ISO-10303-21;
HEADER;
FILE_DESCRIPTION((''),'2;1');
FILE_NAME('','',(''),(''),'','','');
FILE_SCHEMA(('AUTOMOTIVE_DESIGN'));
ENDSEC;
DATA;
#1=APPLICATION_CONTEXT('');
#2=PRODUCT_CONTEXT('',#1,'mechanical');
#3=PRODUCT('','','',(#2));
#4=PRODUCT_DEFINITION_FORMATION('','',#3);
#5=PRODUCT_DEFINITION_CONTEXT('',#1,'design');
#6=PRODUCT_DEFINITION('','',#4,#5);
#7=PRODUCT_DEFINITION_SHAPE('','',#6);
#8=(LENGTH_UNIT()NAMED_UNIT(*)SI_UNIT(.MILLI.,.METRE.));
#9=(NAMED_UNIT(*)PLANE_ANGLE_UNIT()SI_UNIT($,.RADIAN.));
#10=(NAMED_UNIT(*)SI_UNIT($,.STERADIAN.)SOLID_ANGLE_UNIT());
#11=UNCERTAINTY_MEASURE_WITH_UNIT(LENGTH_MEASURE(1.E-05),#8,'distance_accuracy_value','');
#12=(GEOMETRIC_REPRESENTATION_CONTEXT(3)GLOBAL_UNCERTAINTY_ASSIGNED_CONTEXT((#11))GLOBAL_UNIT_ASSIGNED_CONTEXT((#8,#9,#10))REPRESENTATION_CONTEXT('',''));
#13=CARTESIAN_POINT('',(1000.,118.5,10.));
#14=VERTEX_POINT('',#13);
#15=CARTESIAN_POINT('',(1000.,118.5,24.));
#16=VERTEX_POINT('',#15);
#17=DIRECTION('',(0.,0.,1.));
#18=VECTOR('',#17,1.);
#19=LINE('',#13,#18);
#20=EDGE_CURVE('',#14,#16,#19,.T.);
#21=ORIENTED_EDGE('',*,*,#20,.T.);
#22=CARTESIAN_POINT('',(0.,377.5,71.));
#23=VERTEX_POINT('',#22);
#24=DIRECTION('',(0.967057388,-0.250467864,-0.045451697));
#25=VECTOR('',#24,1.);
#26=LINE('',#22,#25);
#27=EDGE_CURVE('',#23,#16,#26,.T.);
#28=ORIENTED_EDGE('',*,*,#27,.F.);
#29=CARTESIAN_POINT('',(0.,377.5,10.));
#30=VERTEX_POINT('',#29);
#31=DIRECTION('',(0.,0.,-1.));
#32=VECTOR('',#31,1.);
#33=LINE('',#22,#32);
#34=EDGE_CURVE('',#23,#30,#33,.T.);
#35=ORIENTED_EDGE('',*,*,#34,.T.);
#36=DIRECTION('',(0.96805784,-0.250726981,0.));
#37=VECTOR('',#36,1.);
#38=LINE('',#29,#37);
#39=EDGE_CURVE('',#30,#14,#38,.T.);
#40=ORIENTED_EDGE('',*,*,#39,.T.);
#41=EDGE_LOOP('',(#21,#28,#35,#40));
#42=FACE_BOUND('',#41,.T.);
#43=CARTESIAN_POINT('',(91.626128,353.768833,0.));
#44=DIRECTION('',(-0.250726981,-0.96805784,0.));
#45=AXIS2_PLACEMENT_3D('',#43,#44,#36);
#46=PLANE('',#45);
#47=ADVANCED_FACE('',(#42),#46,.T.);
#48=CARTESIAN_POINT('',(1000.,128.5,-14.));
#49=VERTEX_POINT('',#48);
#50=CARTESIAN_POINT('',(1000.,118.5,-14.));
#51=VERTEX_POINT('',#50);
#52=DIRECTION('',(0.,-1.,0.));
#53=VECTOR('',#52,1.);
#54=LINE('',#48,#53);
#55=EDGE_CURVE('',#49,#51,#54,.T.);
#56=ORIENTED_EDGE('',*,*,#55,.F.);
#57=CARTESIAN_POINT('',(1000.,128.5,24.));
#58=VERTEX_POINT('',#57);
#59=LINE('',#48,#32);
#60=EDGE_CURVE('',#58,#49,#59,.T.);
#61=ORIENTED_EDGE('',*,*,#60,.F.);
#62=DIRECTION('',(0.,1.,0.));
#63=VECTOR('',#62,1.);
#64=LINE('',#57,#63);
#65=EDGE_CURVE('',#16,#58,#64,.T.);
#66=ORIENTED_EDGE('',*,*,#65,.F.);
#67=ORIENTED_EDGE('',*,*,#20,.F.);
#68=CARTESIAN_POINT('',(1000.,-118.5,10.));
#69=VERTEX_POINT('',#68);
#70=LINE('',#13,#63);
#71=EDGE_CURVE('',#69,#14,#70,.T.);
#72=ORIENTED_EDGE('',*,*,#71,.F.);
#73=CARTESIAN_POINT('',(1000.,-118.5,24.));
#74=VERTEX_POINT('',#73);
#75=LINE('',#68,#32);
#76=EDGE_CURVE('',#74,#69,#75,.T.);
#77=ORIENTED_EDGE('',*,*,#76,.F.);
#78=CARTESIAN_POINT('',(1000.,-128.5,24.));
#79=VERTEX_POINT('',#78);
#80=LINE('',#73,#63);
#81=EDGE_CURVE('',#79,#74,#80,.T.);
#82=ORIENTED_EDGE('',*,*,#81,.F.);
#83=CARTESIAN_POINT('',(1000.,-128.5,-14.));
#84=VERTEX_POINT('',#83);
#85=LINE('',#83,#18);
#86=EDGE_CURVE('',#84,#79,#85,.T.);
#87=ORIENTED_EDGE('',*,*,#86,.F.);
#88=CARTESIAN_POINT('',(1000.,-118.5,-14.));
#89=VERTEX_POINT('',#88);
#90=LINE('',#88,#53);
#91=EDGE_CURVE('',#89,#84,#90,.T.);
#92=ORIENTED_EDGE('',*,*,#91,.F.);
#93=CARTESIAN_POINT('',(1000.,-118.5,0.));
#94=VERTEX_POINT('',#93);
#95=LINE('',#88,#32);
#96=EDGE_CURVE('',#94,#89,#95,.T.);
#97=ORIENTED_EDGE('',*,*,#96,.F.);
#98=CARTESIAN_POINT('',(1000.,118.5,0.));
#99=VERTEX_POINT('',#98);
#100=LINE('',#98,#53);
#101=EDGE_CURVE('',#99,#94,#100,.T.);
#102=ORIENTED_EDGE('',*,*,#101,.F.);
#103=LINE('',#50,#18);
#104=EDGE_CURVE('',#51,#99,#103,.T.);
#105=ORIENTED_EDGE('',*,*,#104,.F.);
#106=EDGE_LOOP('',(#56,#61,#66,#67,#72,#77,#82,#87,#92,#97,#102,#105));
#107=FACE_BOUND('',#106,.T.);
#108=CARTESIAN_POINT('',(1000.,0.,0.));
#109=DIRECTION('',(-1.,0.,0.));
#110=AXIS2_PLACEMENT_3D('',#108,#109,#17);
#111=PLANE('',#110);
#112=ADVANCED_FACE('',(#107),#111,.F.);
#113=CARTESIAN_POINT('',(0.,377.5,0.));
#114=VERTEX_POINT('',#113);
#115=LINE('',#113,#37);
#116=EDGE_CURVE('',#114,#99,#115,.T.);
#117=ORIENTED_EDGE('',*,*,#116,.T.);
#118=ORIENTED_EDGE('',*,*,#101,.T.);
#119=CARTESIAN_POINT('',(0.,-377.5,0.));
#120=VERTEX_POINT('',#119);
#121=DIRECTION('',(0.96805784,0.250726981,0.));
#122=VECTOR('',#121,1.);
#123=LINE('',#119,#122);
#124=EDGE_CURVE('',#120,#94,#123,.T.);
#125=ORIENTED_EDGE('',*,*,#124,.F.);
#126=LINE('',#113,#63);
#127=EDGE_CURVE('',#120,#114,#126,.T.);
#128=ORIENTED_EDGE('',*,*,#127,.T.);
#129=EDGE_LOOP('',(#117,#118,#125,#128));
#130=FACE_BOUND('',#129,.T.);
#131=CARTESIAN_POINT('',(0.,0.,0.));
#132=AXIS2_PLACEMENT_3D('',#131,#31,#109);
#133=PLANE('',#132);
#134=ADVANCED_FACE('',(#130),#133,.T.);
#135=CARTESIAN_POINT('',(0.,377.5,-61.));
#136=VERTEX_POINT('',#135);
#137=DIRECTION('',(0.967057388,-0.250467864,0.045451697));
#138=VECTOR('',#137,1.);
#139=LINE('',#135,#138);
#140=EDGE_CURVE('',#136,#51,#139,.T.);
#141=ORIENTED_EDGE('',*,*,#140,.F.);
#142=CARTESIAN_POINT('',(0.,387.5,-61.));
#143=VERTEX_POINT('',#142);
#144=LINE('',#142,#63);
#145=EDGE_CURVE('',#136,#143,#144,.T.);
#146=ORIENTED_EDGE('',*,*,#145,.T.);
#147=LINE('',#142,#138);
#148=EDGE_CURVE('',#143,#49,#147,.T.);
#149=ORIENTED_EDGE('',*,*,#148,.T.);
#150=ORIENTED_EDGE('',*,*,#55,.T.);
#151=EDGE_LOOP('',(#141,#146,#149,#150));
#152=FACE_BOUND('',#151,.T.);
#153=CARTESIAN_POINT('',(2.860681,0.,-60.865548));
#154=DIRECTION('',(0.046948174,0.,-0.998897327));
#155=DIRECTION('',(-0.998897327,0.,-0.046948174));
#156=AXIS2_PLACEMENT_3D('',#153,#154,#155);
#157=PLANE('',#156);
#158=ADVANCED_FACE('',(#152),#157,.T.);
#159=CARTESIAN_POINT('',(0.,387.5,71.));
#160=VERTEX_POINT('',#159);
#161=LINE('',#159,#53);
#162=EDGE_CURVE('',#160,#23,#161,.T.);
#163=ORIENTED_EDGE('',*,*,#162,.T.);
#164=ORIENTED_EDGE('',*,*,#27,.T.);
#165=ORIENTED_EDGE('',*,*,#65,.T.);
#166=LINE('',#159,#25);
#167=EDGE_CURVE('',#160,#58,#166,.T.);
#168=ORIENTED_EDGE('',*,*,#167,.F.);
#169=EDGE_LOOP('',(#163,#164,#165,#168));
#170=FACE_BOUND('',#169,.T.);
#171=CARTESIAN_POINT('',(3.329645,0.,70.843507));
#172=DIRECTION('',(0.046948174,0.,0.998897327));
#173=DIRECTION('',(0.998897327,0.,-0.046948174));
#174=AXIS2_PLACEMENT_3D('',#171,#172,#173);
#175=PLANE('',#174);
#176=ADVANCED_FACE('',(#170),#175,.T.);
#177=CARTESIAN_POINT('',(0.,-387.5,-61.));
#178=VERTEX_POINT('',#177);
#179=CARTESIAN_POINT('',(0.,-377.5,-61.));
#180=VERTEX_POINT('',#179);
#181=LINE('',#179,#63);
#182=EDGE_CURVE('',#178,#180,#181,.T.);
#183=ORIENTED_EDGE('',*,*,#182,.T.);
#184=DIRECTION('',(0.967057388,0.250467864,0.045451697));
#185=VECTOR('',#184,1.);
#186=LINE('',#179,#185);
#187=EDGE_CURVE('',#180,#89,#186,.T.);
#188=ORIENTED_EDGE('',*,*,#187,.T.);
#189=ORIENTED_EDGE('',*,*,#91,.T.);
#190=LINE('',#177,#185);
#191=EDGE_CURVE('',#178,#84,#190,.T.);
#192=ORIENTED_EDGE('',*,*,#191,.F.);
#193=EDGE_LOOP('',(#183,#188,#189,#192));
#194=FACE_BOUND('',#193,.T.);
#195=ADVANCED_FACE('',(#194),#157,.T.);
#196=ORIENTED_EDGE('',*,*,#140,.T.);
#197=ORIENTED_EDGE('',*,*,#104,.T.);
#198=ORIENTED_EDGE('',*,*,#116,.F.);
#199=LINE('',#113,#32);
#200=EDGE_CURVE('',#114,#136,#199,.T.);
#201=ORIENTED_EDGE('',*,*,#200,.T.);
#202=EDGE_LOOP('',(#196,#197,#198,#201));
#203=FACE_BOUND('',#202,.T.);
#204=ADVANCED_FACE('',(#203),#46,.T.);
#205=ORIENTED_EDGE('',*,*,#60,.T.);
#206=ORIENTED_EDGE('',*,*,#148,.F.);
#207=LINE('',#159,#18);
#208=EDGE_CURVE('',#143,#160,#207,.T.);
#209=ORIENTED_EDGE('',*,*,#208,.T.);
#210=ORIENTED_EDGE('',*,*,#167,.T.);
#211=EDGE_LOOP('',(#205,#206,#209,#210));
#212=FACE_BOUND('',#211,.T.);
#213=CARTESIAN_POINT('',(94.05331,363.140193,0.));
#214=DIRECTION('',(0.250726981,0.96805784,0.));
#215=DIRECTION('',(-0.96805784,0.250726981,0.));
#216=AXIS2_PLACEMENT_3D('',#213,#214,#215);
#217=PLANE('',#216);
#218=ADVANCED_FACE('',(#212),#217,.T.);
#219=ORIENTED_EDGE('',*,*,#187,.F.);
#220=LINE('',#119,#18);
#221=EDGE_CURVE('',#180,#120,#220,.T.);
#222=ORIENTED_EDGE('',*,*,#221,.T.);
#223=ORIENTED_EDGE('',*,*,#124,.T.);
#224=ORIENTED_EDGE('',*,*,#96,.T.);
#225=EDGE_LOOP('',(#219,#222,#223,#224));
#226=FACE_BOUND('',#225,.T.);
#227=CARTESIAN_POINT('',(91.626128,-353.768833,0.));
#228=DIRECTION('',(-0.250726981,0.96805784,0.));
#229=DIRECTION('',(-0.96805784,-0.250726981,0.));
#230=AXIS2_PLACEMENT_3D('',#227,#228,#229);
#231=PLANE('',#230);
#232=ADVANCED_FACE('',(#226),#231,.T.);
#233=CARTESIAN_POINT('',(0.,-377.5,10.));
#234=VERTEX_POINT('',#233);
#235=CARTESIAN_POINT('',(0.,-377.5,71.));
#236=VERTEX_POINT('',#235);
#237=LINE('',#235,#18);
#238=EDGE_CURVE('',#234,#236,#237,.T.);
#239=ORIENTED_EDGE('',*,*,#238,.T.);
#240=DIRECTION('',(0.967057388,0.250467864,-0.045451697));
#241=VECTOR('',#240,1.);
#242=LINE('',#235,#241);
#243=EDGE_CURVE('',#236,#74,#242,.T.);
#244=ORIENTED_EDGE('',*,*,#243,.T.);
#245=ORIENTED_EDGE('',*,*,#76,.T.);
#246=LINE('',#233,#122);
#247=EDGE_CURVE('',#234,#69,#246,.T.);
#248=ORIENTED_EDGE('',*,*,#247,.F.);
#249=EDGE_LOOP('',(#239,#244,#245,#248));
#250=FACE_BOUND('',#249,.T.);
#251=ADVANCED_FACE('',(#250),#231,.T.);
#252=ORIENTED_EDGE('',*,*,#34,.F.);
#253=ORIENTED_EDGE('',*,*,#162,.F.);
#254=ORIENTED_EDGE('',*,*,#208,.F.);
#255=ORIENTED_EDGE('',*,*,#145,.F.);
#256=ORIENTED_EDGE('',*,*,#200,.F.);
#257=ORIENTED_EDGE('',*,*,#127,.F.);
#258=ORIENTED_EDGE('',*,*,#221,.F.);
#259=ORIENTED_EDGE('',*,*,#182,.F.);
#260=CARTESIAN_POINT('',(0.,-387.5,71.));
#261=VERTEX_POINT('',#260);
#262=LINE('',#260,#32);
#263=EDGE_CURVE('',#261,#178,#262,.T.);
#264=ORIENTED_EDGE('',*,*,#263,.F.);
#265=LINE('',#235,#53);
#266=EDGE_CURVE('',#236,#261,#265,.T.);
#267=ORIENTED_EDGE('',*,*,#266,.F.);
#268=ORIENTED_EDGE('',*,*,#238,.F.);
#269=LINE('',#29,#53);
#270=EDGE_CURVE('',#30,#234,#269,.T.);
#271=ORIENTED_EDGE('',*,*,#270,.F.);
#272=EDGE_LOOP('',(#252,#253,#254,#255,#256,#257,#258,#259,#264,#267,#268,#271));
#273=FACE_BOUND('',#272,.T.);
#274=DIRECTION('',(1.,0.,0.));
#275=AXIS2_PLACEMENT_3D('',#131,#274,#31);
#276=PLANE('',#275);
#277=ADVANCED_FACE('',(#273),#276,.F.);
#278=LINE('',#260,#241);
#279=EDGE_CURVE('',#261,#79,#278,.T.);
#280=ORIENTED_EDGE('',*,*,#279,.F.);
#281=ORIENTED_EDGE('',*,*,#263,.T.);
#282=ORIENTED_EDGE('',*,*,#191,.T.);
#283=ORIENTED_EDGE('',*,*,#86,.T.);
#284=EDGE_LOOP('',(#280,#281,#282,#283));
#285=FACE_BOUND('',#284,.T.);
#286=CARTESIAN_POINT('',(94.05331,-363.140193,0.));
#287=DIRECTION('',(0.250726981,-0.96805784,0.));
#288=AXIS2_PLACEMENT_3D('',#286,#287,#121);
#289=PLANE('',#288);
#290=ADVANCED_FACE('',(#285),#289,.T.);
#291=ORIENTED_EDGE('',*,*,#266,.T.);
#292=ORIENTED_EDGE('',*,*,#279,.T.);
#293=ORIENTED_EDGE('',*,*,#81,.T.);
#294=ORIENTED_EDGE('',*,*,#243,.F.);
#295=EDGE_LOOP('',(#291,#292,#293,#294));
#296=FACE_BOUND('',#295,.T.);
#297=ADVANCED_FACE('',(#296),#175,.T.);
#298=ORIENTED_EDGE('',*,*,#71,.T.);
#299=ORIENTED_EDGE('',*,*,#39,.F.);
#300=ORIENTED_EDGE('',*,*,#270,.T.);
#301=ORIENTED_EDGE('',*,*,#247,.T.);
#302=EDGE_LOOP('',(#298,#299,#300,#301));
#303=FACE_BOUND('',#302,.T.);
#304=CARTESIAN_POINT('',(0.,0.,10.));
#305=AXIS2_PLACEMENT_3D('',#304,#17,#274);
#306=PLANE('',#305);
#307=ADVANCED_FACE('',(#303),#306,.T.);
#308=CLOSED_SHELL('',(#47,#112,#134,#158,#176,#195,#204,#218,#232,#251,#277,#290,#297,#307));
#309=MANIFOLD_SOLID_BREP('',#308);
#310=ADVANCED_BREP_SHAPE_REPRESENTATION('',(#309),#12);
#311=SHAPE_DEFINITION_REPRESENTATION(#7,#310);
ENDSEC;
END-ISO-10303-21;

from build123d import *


with BuildPart() as part:
    # Sketch1 → Loft l4 section 0
    with BuildSketch(Plane(origin=(0, 0, 0), x_dir=(0, 0, -1), z_dir=(1, 0, 0))):
        Polygon((-71, 387.5), (61, 387.5), (61, 377.5), (0, 377.5), (0, -377.5), (61, -377.5), (61, -387.5), (-71, -387.5), (-71, -377.5), (-10, -377.5), (-10, 377.5), (-71, 377.5), align=None)
    # Sketch4 → Loft l4 section 1
    with BuildSketch(Plane(origin=(1000, 0, -1000), x_dir=(0, 0, 1), z_dir=(-1, 0, 0))):
        Polygon((986, 128.5), (1024, 128.5), (1024, 118.5), (1010, 118.5), (1010, -118.5), (1024, -118.5), (1024, -128.5), (986, -128.5), (986, -118.5), (1000, -118.5), (1000, 118.5), (986, 118.5), align=None)
    loft()


solid = part.part
